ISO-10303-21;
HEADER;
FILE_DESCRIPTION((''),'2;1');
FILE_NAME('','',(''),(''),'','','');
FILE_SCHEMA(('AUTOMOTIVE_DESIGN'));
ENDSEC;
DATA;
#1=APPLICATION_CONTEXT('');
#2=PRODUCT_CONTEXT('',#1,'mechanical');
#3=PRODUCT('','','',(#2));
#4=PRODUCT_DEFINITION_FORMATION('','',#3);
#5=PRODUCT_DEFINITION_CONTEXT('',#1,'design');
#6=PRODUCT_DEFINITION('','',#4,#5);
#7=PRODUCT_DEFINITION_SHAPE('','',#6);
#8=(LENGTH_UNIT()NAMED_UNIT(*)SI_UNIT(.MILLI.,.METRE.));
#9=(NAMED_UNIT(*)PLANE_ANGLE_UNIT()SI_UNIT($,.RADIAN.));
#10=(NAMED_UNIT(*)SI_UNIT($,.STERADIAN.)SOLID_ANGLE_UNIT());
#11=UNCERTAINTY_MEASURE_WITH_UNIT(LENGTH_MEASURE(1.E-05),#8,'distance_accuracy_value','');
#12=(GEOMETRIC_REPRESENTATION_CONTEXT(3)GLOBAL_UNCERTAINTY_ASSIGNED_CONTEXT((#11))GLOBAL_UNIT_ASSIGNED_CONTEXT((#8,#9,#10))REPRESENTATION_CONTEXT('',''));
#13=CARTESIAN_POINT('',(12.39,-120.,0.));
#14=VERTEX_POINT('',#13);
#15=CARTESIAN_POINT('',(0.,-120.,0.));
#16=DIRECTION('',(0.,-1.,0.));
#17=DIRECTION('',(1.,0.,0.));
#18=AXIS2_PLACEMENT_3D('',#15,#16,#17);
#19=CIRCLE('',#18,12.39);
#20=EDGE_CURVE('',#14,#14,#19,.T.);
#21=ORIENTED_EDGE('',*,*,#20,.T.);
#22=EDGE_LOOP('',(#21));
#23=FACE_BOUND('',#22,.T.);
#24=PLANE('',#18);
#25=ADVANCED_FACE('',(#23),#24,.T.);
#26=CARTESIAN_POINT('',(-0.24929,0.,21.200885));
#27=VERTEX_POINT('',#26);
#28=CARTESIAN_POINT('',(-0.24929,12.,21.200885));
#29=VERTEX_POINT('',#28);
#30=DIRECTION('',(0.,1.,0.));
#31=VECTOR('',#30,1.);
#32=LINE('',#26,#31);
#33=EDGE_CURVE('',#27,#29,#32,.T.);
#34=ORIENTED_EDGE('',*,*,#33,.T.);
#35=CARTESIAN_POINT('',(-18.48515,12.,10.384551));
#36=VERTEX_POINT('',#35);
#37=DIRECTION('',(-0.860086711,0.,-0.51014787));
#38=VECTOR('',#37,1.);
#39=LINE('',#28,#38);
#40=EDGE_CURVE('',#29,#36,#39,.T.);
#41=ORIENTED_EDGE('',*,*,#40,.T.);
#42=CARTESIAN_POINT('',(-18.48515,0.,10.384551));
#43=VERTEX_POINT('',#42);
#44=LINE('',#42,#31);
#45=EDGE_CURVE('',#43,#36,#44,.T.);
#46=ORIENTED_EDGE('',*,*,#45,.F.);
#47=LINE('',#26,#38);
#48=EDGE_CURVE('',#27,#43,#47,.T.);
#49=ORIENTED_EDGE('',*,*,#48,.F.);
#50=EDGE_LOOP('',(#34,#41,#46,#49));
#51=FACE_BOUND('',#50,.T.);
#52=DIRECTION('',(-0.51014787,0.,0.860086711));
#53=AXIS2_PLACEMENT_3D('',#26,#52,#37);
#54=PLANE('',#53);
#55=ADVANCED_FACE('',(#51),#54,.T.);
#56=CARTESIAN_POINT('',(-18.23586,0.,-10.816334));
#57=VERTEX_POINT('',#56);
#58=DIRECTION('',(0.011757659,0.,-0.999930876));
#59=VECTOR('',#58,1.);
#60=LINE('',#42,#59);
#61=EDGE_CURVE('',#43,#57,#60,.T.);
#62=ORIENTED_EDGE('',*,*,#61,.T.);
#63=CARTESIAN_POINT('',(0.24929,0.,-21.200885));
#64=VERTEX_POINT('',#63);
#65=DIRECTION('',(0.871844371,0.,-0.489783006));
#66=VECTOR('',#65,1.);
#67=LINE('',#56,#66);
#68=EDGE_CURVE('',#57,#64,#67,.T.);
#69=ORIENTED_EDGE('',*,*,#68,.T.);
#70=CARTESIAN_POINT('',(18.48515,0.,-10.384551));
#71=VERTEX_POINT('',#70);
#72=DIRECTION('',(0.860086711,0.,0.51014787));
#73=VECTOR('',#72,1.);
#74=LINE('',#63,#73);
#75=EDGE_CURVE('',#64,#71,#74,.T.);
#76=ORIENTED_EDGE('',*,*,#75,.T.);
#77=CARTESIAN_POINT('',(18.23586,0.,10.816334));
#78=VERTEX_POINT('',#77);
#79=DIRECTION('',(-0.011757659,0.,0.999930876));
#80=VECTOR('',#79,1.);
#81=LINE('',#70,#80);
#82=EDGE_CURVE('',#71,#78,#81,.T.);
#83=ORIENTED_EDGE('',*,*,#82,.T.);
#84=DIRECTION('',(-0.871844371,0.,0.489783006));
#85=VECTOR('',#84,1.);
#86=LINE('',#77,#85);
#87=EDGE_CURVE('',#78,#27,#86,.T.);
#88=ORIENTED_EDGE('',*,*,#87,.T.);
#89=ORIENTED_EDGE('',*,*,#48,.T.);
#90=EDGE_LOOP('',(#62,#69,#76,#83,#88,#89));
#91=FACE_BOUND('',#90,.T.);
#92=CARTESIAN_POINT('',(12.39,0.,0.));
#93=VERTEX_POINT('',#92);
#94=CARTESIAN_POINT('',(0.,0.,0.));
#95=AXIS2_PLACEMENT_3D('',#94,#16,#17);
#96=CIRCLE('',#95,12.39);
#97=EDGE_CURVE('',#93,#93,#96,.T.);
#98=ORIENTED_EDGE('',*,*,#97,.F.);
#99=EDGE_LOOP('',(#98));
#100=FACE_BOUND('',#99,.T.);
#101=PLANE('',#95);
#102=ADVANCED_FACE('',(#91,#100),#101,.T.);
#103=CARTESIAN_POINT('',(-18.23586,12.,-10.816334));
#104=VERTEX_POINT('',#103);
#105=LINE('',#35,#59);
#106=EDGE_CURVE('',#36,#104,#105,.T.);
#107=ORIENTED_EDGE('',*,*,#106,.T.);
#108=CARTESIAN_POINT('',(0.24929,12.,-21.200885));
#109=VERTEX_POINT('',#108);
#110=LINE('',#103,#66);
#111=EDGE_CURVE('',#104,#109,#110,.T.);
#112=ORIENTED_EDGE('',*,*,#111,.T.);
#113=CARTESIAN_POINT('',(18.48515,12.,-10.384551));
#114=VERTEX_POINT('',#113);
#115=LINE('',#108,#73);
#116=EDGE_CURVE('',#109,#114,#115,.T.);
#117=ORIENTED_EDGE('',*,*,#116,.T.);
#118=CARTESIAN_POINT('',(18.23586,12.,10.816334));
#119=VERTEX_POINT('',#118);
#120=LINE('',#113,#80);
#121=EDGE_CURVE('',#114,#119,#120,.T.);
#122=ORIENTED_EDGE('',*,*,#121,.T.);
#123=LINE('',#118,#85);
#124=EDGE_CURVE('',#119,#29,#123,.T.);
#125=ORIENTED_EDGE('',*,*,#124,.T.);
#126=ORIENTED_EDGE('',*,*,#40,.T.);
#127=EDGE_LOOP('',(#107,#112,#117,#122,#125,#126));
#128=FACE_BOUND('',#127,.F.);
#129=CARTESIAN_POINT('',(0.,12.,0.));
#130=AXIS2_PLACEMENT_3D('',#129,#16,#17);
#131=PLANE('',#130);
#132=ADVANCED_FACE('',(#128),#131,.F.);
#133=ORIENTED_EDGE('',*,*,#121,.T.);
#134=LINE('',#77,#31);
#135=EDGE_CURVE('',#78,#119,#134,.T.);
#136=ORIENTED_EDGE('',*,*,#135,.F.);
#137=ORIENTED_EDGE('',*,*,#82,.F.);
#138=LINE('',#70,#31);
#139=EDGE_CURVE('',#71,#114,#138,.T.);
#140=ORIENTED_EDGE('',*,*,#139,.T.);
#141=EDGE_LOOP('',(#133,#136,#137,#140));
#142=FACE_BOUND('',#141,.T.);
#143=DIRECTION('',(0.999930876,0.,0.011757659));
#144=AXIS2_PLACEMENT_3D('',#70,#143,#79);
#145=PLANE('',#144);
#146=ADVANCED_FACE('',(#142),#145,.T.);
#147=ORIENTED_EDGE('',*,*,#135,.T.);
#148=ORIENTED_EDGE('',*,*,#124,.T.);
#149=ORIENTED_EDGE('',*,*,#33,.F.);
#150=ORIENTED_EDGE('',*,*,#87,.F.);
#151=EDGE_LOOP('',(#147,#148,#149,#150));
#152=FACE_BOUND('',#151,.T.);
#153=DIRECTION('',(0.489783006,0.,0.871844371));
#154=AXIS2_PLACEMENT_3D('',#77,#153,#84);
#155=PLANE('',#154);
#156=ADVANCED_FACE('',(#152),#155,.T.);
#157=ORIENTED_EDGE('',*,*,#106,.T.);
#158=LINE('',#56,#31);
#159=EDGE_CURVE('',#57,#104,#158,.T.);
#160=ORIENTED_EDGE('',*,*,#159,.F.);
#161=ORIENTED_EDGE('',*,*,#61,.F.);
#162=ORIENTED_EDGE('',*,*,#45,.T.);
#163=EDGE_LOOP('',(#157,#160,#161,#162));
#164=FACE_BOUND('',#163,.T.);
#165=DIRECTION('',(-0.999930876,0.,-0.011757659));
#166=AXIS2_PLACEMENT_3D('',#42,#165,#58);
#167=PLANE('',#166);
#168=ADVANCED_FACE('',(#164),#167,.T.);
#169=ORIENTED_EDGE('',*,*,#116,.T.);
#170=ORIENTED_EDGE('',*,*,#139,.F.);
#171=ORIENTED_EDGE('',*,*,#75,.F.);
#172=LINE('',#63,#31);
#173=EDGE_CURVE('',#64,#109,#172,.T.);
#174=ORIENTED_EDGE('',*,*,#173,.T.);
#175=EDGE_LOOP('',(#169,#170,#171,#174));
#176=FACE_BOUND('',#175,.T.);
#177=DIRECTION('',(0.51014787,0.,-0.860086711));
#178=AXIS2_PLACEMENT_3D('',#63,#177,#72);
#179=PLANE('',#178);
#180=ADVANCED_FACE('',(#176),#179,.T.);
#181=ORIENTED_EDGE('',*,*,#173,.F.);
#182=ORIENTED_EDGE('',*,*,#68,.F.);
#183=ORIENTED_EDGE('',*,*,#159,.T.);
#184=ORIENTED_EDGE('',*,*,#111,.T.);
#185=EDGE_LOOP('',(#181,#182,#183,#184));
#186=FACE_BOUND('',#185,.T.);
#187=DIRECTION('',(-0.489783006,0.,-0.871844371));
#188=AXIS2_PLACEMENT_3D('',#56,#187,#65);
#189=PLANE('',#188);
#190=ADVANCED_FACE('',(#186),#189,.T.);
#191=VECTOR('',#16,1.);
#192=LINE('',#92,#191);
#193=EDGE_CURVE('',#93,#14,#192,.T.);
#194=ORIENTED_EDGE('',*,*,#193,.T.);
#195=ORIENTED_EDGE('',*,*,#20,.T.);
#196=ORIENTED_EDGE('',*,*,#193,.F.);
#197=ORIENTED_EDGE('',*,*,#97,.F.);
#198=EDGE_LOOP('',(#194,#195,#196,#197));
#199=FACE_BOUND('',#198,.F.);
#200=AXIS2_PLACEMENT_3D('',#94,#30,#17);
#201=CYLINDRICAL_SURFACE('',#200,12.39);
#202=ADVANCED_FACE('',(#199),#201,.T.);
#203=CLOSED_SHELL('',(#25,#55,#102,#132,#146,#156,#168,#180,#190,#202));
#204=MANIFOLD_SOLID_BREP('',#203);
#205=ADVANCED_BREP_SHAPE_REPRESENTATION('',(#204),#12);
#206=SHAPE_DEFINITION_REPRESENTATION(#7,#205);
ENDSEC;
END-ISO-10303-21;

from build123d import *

# Parameters (mm, degrees)
F1_DEPTH = 12
F2_R     = 12.39
F3_DEPTH = 120


with BuildPart() as f1:
    # F0 (on Front) → F1 (new body)
    with BuildSketch(Plane.XZ):
        Polygon((-0.24929, 21.200885), (-18.48515, 10.384551), (-18.23586, -10.816334), (0.24929, -21.200885), (18.48515, -10.384551), (18.23586, 10.816334), align=None)
    extrude(amount=-F1_DEPTH)

    # F2 (on face) → F3 (join)
    with BuildSketch(Plane.XZ):
        Circle(F2_R)
    extrude(amount=F3_DEPTH)


solid = f1.part
